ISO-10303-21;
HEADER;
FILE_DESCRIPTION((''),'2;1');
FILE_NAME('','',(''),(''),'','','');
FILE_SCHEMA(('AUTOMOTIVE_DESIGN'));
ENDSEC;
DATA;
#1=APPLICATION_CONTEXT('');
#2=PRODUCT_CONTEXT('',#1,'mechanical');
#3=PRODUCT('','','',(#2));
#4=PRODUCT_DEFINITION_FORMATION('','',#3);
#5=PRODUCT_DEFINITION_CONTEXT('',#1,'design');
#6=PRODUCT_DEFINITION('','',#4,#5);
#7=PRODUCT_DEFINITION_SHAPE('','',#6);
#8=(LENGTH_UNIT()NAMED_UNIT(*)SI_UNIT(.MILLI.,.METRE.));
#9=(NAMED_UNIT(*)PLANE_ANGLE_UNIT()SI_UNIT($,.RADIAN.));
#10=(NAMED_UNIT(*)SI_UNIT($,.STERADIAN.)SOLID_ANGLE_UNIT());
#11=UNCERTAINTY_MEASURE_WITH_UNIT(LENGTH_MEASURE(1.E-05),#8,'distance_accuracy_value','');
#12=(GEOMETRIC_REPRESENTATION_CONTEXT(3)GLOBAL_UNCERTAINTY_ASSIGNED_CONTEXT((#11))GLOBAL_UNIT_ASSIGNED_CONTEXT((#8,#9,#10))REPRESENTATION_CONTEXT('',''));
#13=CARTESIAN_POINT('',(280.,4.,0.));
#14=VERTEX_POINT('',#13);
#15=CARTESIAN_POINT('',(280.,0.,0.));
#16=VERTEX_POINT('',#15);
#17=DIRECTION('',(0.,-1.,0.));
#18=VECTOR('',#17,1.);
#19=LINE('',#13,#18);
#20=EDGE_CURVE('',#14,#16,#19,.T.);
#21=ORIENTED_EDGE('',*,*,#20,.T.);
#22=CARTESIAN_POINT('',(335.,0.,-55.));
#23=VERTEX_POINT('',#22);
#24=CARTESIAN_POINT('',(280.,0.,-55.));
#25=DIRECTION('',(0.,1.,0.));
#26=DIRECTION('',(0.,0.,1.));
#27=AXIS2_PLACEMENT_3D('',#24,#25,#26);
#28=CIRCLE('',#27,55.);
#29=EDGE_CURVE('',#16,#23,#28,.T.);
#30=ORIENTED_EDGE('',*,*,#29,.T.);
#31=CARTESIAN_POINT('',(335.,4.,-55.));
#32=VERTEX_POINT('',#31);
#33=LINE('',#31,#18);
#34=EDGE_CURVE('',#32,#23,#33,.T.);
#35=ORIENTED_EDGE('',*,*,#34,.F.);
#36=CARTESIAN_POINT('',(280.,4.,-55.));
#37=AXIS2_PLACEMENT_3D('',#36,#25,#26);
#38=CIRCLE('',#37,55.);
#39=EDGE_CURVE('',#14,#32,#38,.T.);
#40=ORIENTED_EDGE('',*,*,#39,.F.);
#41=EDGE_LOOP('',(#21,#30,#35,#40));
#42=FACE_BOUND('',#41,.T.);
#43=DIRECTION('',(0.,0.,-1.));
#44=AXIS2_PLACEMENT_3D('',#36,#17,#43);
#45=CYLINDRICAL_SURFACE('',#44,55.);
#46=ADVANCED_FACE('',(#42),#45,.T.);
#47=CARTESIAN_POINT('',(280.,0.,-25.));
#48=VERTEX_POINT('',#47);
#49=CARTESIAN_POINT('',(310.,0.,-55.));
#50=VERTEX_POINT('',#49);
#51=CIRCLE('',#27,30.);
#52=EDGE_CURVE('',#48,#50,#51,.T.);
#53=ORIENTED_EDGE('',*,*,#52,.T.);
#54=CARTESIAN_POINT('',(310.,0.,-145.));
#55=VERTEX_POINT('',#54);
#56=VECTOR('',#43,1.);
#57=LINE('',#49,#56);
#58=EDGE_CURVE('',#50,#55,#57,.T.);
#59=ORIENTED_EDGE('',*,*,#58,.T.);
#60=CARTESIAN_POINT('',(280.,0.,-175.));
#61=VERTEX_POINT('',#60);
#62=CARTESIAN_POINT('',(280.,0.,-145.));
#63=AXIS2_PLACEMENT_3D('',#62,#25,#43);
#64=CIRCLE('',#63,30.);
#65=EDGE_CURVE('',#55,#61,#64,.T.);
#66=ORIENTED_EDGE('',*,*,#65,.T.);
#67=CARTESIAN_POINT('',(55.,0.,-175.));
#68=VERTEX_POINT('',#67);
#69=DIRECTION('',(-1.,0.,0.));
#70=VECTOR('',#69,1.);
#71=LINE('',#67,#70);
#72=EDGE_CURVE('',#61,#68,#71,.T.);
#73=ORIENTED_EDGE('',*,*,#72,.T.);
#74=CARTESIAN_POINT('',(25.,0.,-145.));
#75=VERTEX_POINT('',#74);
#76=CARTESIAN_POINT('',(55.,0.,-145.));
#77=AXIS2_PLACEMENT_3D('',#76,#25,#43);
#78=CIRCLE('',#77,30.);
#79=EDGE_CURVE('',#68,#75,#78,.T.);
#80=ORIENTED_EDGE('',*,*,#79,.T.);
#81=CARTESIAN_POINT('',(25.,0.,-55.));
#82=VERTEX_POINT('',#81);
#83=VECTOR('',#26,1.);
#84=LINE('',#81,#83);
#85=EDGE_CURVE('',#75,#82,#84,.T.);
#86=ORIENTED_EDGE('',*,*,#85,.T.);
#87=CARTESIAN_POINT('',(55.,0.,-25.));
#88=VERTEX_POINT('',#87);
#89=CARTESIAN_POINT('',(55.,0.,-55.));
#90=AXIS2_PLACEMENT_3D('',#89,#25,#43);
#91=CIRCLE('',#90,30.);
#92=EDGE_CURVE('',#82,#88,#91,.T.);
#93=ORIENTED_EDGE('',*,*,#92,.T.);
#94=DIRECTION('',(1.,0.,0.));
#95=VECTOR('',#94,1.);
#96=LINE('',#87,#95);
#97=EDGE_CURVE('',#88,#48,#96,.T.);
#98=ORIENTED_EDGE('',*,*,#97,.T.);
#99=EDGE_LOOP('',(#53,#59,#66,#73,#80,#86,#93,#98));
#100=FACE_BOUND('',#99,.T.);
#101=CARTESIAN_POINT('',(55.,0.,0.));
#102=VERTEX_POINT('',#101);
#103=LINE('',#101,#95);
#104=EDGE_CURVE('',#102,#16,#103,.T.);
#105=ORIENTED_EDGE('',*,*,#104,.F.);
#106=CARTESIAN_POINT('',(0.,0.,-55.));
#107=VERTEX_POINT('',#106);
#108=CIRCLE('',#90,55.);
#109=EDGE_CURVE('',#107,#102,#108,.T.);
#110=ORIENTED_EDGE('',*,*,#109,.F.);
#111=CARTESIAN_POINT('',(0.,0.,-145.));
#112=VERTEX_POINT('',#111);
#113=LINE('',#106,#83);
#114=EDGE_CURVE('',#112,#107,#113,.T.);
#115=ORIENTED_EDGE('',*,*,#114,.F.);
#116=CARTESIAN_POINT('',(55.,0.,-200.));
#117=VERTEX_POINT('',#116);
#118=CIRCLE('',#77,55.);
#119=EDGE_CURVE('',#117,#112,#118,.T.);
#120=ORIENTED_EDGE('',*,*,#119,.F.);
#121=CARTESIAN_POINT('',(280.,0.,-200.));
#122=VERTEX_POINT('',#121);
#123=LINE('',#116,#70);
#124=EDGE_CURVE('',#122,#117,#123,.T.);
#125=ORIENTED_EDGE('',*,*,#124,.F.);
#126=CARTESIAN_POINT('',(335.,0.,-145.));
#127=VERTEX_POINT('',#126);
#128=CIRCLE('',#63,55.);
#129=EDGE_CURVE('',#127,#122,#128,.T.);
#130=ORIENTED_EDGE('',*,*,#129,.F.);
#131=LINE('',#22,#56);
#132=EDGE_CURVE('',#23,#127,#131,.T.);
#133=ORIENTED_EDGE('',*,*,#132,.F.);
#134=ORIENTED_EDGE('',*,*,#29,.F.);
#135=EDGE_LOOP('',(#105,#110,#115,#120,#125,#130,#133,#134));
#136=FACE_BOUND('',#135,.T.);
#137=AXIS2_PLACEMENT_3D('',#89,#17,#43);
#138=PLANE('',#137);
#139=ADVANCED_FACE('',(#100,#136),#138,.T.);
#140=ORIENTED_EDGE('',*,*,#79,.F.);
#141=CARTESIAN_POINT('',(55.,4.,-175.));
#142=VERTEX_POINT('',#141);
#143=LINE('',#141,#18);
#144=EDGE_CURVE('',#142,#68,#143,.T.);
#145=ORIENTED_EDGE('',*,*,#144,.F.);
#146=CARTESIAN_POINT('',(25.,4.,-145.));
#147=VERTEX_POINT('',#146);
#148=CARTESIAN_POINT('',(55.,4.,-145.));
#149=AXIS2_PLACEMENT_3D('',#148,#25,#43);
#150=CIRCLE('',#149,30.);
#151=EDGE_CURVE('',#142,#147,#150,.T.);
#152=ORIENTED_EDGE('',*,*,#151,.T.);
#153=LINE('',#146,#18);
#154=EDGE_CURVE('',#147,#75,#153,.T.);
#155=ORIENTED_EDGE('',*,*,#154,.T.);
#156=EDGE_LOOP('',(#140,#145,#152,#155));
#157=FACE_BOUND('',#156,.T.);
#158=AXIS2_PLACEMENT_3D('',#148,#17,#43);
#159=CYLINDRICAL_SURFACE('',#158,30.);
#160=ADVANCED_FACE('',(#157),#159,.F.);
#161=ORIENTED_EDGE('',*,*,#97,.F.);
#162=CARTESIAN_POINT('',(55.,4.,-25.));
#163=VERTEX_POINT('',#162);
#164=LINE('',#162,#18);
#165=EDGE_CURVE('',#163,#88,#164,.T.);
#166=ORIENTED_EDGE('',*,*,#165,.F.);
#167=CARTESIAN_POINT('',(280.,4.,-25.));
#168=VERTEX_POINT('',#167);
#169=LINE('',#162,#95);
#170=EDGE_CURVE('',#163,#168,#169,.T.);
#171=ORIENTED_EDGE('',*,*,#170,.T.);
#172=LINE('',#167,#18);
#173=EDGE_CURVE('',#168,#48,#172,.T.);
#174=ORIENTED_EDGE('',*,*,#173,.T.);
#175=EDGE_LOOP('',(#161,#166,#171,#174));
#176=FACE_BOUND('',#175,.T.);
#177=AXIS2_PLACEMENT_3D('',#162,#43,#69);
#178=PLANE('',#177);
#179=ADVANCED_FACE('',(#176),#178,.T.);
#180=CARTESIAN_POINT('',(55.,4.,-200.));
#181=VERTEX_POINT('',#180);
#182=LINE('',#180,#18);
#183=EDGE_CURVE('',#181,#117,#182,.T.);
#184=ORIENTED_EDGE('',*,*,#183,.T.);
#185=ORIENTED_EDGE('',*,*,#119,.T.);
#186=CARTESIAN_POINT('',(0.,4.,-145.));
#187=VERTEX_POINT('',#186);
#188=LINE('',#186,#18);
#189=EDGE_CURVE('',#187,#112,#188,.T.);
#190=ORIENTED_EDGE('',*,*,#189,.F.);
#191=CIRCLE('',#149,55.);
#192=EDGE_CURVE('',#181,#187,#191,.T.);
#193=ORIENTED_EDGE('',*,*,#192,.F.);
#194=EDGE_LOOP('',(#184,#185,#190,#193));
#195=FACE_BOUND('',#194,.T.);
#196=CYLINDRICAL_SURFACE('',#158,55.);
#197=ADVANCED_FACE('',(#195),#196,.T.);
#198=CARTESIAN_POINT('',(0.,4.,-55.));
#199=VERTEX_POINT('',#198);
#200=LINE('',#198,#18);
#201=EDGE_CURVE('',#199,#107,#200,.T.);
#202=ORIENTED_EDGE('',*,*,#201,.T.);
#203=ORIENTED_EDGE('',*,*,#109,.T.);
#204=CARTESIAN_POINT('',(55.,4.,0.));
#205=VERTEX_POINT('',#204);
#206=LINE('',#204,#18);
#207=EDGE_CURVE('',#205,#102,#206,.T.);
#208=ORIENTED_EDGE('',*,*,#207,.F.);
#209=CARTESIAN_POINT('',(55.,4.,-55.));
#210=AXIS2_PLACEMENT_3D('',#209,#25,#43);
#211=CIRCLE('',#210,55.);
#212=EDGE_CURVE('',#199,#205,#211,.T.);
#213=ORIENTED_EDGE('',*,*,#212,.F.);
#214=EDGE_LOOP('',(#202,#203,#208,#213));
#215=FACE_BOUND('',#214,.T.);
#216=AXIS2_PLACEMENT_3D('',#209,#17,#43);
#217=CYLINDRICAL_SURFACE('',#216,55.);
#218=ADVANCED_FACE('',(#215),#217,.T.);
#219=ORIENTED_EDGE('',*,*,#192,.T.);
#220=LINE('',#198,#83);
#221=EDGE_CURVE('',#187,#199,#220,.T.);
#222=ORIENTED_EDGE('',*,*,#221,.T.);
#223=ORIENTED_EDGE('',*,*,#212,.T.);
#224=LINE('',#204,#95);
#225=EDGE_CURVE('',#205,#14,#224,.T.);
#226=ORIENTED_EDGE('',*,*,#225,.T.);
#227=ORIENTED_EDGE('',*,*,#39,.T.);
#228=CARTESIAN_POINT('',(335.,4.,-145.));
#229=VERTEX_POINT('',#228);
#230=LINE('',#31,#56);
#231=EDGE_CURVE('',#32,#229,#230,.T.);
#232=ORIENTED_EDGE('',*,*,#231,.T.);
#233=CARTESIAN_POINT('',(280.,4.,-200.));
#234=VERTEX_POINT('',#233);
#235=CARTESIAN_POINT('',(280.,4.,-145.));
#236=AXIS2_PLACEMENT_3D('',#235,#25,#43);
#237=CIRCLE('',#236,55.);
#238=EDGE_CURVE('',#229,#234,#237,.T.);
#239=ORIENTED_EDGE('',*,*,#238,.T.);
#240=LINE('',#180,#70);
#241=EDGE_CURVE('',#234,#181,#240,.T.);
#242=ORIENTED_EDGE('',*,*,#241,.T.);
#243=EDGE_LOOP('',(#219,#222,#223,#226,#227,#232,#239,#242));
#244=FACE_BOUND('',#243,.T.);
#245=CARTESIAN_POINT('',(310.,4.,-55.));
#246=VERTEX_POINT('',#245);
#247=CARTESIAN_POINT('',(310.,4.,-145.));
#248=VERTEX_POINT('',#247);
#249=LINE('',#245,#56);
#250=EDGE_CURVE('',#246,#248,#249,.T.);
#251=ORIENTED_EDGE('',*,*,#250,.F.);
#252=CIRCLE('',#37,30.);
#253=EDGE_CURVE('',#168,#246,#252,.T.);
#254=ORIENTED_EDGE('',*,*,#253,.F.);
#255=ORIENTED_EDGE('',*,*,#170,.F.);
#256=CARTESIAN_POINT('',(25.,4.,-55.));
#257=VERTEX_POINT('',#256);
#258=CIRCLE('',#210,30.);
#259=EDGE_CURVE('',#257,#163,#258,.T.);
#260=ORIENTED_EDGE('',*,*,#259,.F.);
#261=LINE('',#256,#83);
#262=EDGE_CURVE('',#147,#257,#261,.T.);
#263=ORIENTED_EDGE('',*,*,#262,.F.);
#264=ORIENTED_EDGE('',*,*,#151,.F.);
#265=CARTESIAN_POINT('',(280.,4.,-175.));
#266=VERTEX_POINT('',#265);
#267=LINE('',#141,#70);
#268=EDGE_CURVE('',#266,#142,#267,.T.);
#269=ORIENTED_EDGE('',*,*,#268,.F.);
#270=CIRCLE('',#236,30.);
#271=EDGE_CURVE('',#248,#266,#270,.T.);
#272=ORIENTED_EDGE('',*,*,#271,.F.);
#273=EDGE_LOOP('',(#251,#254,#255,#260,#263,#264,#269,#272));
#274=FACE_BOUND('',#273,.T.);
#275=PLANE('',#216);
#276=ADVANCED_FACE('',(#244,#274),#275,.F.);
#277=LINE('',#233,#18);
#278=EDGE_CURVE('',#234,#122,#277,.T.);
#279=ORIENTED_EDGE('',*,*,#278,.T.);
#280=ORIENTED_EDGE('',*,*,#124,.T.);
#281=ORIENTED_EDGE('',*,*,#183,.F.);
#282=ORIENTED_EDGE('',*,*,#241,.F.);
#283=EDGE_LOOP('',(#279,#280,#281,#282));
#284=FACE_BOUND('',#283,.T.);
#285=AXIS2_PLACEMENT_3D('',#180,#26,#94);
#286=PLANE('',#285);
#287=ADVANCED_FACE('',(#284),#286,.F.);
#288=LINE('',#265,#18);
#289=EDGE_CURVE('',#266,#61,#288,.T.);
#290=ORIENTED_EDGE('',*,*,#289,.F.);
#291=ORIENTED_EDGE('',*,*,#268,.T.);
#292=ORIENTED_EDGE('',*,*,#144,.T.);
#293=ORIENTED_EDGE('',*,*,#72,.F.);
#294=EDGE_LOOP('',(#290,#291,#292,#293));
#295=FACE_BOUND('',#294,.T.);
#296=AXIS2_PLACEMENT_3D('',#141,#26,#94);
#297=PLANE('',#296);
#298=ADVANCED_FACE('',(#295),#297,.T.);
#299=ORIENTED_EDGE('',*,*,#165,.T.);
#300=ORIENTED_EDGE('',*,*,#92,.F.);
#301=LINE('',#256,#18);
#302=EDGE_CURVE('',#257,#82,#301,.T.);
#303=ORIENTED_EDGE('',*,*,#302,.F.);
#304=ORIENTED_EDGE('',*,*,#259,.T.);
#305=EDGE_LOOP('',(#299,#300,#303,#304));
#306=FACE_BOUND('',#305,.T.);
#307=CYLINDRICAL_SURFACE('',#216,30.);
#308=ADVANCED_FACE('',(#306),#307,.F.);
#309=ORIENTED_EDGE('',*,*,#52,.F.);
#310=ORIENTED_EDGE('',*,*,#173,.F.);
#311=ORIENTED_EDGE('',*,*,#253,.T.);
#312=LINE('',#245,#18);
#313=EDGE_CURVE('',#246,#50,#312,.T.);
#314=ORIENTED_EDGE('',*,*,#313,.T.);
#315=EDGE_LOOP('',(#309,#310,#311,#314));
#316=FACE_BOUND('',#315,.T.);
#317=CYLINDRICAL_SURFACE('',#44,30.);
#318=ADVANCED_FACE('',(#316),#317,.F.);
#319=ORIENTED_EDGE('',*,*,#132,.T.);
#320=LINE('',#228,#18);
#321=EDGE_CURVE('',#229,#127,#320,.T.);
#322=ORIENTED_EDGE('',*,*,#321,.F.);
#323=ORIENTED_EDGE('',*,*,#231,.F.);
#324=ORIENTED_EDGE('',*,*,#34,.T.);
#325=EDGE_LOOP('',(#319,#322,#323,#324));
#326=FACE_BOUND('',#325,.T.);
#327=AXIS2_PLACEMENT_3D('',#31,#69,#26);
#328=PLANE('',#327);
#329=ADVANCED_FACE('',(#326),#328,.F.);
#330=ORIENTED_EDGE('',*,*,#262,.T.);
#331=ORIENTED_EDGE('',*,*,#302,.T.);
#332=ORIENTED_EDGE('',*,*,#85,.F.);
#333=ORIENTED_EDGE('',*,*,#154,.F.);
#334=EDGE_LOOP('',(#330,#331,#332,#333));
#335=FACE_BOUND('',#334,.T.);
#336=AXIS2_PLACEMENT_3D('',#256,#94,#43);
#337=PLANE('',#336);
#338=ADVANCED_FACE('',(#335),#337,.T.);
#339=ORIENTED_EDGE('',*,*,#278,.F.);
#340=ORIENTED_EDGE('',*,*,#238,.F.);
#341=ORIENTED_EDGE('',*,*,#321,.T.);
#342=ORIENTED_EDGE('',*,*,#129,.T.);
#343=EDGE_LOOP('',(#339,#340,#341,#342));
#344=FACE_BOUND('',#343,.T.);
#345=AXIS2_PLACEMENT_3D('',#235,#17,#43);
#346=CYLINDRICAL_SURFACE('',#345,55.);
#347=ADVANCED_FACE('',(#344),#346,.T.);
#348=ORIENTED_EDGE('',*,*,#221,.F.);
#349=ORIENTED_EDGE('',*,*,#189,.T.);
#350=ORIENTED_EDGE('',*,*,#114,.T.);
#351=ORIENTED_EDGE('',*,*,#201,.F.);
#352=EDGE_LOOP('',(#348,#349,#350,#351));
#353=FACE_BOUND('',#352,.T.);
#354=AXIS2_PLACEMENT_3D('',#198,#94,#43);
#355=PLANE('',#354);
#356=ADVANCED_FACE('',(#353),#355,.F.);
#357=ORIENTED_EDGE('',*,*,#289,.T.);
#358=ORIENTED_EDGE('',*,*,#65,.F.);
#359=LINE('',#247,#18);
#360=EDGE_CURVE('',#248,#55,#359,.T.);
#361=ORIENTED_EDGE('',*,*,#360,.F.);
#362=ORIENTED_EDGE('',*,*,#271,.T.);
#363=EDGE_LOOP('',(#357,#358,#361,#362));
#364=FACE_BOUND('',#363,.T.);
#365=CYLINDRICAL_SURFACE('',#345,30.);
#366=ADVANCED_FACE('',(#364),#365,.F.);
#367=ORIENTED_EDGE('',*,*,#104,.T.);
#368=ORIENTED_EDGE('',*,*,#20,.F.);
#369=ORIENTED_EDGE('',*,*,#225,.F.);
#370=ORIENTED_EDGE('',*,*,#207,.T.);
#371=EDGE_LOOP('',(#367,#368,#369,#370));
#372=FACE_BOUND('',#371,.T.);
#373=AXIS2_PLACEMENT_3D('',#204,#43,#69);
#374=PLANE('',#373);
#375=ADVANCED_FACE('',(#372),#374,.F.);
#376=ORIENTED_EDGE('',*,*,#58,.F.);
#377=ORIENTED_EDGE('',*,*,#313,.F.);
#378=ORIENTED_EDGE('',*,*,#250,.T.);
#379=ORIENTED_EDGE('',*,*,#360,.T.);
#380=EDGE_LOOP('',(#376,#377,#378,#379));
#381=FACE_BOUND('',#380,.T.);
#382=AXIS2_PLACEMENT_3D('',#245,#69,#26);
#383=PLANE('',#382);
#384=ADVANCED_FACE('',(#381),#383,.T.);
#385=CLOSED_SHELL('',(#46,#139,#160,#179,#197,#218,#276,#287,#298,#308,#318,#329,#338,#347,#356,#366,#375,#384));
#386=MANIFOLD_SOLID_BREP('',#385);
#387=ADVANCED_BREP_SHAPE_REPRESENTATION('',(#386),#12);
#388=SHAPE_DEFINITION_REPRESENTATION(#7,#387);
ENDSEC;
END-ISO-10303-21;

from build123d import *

# Parameters (mm, degrees)
BOSS_EXTRUDE1_DEPTH = 4


with BuildPart() as part:
    # Sketch1 → Boss-Extrude1 (new body)
    with BuildSketch(Plane(origin=(0, 0, 0), x_dir=(1, 0, 0), z_dir=(0, 1, 0))):
        with BuildLine():
            Line((55, 0), (280, 0))
            ThreePointArc((280, 0), (318.890872965, 16.109127035), (335, 55))
            Line((335, 55), (335, 145))
            ThreePointArc((335, 145), (318.890872965, 183.890872965), (280, 200))
            Line((280, 200), (55, 200))
            ThreePointArc((55, 200), (16.109127035, 183.890872965), (0, 145))
            Line((0, 145), (0, 55))
            ThreePointArc((0, 55), (16.109127035, 16.109127035), (55, 0))
        make_face()
        with BuildLine():
            Line((55, 25), (280, 25))
            ThreePointArc((280, 25), (301.213203436, 33.786796564), (310, 55))
            Line((310, 55), (310, 145))
            ThreePointArc((310, 145), (301.213203436, 166.213203436), (280, 175))
            Line((280, 175), (55, 175))
            ThreePointArc((55, 175), (33.786796564, 166.213203436), (25, 145))
            Line((25, 145), (25, 55))
            ThreePointArc((25, 55), (33.786796564, 33.786796564), (55, 25))
        make_face(mode=Mode.SUBTRACT)
    extrude(amount=BOSS_EXTRUDE1_DEPTH)


solid = part.part
